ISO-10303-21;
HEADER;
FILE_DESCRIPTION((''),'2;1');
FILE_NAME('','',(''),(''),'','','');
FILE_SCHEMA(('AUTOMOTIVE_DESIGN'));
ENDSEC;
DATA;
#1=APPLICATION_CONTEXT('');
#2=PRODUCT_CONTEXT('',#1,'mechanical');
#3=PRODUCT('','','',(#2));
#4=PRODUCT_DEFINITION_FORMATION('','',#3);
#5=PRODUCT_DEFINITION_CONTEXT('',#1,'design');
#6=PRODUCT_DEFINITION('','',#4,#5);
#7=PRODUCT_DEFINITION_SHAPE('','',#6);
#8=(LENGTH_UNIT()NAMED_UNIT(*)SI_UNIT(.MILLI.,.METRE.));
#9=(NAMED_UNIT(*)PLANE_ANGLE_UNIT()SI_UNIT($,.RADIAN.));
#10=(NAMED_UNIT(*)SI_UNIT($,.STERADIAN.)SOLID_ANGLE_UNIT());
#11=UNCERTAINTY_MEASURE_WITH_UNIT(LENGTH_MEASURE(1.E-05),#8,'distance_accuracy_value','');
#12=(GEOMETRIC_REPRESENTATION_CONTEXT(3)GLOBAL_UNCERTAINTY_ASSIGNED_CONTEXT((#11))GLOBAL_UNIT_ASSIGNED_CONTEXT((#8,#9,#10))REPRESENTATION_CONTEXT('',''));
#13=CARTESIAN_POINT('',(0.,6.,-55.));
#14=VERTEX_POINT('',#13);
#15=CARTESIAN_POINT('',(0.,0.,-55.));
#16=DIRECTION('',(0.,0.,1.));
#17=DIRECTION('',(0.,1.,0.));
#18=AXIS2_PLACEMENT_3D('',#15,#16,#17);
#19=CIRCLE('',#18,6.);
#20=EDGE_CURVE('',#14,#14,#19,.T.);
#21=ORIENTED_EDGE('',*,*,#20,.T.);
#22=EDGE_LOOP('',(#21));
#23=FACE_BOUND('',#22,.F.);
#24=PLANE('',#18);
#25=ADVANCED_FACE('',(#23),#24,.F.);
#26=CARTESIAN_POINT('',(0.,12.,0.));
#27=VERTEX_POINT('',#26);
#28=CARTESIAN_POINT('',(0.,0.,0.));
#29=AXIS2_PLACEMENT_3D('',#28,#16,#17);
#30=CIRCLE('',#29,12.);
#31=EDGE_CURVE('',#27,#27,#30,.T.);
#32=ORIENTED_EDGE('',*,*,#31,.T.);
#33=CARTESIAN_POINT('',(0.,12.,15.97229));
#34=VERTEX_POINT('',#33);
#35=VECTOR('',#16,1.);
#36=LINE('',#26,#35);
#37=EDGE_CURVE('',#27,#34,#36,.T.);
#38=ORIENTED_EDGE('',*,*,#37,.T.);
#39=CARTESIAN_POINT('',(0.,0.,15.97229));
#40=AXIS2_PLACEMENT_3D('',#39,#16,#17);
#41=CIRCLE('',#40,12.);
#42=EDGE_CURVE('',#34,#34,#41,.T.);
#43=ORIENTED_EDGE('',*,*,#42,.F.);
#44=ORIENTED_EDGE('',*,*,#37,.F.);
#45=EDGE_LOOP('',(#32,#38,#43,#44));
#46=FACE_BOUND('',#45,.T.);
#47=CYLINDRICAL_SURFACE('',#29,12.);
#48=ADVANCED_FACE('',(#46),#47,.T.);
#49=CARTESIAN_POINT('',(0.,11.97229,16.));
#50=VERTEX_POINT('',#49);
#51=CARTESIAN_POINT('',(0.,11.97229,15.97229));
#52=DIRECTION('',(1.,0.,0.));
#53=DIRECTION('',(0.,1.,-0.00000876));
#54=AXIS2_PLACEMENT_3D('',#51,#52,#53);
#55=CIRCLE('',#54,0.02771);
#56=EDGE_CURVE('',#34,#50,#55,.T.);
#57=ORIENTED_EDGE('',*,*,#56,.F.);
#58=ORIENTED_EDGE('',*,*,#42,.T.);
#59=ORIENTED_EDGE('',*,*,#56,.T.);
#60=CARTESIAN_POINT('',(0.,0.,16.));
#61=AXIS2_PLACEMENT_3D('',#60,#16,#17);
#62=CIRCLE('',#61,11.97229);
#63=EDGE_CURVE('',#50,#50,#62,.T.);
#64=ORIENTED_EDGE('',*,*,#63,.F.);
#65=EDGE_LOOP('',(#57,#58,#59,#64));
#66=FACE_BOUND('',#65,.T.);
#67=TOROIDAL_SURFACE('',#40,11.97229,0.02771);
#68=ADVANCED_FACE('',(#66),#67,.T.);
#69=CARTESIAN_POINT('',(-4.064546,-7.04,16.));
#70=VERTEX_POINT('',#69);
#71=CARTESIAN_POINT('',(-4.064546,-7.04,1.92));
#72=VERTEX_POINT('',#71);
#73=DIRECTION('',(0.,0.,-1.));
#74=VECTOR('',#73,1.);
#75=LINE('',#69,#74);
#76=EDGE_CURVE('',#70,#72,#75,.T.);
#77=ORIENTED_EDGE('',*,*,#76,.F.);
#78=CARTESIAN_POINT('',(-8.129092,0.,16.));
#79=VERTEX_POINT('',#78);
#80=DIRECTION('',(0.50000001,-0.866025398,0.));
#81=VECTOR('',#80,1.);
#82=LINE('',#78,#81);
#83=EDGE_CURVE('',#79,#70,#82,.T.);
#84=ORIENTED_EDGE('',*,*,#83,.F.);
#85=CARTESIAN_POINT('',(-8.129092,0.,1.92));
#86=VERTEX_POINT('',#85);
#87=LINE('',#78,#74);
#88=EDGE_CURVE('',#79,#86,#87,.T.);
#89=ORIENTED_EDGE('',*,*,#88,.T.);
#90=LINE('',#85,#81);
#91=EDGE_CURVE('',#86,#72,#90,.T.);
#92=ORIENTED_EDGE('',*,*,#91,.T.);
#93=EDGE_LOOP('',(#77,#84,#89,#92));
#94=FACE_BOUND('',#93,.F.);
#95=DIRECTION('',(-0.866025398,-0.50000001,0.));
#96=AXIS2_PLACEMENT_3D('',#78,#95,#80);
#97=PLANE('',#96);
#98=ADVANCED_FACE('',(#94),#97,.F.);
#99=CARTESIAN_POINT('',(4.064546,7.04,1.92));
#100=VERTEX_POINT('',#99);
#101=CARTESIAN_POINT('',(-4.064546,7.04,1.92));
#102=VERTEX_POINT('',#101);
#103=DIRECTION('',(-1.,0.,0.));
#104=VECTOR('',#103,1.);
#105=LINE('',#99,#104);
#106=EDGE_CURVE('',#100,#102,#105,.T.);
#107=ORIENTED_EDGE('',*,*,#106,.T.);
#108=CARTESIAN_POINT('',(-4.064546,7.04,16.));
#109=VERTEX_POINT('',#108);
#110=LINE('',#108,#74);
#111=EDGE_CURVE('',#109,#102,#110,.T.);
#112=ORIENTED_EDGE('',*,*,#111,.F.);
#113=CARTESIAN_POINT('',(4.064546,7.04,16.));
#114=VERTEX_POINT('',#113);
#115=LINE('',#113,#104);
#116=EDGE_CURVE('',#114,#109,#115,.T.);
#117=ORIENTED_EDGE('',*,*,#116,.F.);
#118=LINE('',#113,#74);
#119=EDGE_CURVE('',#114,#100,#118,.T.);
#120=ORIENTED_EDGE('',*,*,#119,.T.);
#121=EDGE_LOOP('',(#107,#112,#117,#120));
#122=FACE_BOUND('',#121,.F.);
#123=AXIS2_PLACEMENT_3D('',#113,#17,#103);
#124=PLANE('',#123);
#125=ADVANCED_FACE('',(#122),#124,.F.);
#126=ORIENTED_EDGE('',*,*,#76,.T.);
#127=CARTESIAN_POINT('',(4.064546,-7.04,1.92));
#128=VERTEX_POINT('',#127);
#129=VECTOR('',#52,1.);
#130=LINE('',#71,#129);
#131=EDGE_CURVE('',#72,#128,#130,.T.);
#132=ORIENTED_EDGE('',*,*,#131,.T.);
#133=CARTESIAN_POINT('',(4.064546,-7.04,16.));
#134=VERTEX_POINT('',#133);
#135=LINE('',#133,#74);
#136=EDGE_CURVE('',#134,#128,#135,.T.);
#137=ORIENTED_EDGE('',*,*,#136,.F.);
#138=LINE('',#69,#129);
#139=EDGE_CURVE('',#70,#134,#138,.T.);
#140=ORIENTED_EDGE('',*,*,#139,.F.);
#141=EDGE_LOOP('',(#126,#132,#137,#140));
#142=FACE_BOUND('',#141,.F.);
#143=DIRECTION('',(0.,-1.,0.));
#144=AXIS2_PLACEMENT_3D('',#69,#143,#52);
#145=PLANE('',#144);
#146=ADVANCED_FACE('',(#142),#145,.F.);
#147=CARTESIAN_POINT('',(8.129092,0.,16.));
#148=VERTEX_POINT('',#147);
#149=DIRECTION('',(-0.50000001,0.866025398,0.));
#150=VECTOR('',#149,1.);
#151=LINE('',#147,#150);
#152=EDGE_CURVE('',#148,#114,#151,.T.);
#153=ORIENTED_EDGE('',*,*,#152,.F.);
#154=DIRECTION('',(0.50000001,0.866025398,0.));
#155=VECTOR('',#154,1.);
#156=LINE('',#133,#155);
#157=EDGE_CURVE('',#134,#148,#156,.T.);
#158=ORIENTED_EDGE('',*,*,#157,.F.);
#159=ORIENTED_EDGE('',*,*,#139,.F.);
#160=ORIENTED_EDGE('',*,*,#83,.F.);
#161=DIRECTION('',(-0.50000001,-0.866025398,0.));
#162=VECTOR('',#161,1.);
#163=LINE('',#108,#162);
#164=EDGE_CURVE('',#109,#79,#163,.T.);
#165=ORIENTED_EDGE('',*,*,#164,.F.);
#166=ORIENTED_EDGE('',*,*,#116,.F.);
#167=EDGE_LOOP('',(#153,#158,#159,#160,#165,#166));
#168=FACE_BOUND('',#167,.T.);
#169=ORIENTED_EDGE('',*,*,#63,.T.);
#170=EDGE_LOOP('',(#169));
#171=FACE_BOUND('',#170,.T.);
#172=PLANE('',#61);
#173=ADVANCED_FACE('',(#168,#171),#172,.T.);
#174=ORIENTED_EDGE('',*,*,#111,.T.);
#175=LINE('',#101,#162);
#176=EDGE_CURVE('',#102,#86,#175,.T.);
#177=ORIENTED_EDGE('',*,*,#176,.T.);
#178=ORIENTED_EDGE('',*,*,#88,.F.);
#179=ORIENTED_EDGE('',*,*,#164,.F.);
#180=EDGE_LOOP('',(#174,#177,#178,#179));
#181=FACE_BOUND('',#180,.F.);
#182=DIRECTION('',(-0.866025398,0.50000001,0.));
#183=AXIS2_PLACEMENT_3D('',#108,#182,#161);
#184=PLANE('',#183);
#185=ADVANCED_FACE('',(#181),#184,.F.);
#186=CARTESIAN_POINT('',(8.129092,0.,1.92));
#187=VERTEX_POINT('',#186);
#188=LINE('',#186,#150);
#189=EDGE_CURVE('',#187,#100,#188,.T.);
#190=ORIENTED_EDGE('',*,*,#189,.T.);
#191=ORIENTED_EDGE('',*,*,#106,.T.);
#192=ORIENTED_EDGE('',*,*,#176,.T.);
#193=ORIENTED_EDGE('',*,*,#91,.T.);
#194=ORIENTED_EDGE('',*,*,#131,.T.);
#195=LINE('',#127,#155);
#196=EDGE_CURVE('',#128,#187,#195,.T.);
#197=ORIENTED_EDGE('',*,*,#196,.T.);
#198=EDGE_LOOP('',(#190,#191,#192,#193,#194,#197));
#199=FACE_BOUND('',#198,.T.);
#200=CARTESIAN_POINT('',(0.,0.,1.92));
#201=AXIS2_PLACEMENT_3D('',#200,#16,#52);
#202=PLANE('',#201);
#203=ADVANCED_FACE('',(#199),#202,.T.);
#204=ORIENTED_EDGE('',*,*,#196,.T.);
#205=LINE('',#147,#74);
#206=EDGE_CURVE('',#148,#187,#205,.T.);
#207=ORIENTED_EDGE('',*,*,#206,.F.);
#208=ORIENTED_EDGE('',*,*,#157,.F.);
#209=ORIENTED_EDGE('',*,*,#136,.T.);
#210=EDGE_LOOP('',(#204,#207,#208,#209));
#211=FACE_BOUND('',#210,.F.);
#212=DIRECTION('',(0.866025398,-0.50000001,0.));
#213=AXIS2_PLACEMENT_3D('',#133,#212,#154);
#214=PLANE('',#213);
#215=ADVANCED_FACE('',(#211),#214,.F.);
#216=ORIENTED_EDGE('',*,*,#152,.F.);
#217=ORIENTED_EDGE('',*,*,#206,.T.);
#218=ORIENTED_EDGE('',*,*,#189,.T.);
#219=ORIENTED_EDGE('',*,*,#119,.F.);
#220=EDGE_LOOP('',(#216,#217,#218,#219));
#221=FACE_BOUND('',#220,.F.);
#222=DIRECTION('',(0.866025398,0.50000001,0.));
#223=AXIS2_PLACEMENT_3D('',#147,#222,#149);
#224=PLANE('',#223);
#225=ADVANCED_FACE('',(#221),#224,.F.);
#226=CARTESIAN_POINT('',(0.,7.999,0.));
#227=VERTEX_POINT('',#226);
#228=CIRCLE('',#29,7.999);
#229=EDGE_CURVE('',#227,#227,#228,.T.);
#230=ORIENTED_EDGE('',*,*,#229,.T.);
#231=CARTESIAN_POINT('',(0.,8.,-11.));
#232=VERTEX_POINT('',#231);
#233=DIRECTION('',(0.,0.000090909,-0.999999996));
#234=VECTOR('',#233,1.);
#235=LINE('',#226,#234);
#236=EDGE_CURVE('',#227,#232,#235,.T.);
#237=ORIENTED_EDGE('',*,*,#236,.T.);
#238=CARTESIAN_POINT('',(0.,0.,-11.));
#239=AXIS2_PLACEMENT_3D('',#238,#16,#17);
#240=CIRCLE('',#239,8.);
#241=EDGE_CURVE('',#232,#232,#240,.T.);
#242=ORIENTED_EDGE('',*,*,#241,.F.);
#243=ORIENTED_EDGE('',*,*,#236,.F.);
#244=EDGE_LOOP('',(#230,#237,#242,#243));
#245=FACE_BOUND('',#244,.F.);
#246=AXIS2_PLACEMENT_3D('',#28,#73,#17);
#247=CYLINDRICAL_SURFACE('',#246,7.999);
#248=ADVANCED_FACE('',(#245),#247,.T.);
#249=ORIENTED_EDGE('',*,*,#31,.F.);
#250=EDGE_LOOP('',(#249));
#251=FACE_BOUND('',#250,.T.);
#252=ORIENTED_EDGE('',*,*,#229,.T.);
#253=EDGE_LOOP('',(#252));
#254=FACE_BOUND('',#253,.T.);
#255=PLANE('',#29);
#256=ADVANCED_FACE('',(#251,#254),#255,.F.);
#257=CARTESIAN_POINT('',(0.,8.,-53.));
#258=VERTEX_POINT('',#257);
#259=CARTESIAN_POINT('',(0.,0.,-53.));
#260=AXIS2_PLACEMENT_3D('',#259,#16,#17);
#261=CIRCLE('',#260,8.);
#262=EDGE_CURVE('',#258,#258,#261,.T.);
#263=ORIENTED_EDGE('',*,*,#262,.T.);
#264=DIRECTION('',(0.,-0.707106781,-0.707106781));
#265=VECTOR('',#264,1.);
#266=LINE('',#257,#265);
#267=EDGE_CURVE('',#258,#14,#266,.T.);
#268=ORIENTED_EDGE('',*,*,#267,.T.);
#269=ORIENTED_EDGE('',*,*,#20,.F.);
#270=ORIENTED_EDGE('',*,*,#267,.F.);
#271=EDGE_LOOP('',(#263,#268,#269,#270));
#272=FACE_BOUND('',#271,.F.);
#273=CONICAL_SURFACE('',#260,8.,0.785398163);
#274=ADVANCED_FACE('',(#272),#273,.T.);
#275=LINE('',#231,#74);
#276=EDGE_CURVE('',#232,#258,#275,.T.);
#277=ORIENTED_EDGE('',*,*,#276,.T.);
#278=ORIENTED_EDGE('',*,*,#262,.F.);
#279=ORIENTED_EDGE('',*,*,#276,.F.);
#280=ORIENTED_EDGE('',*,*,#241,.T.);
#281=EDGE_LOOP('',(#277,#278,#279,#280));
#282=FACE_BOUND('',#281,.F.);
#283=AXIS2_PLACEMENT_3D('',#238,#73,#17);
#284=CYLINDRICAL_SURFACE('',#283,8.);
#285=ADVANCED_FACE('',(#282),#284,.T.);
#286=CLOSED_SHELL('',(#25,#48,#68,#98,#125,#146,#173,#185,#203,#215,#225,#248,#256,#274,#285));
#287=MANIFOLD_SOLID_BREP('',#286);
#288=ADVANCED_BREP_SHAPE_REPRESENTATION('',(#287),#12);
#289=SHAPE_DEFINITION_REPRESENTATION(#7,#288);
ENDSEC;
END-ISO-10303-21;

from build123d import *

# Parameters (mm, degrees)
POCKET_DEPTH = 14.08


with BuildPart() as part:
    # Sketch → Revolve (revolve)
    with BuildSketch(Plane.YZ):
        with BuildLine():
            Line((7.999, 0), (12, 0))
            Line((12, 0), (12, 15.97229))
            ThreePointArc((12, 15.97229), (11.991884, 15.991884), (11.97229, 16))
            Line((11.97229, 16), (0, 16))
            Line((0, -55), (0, 16))
            Line((6, -55), (0, -55))
            Line((8, -53), (6, -55))
            Line((8, -11), (8, -53))
            Line((7.999, 0), (8, -11))
        make_face()
    revolve(axis=Axis((0, 0, 0), (0, 0, 1)))

    # Sketch001 → Pocket (cut)
    with BuildSketch(Plane.XY.offset(16)):
        Polygon((8.129092, 0), (4.064546, 7.04), (-4.064546, 7.04), (-8.129092, 0), (-4.064546, -7.04), (4.064546, -7.04), align=None)
    extrude(amount=-POCKET_DEPTH, mode=Mode.SUBTRACT)


solid = part.part
